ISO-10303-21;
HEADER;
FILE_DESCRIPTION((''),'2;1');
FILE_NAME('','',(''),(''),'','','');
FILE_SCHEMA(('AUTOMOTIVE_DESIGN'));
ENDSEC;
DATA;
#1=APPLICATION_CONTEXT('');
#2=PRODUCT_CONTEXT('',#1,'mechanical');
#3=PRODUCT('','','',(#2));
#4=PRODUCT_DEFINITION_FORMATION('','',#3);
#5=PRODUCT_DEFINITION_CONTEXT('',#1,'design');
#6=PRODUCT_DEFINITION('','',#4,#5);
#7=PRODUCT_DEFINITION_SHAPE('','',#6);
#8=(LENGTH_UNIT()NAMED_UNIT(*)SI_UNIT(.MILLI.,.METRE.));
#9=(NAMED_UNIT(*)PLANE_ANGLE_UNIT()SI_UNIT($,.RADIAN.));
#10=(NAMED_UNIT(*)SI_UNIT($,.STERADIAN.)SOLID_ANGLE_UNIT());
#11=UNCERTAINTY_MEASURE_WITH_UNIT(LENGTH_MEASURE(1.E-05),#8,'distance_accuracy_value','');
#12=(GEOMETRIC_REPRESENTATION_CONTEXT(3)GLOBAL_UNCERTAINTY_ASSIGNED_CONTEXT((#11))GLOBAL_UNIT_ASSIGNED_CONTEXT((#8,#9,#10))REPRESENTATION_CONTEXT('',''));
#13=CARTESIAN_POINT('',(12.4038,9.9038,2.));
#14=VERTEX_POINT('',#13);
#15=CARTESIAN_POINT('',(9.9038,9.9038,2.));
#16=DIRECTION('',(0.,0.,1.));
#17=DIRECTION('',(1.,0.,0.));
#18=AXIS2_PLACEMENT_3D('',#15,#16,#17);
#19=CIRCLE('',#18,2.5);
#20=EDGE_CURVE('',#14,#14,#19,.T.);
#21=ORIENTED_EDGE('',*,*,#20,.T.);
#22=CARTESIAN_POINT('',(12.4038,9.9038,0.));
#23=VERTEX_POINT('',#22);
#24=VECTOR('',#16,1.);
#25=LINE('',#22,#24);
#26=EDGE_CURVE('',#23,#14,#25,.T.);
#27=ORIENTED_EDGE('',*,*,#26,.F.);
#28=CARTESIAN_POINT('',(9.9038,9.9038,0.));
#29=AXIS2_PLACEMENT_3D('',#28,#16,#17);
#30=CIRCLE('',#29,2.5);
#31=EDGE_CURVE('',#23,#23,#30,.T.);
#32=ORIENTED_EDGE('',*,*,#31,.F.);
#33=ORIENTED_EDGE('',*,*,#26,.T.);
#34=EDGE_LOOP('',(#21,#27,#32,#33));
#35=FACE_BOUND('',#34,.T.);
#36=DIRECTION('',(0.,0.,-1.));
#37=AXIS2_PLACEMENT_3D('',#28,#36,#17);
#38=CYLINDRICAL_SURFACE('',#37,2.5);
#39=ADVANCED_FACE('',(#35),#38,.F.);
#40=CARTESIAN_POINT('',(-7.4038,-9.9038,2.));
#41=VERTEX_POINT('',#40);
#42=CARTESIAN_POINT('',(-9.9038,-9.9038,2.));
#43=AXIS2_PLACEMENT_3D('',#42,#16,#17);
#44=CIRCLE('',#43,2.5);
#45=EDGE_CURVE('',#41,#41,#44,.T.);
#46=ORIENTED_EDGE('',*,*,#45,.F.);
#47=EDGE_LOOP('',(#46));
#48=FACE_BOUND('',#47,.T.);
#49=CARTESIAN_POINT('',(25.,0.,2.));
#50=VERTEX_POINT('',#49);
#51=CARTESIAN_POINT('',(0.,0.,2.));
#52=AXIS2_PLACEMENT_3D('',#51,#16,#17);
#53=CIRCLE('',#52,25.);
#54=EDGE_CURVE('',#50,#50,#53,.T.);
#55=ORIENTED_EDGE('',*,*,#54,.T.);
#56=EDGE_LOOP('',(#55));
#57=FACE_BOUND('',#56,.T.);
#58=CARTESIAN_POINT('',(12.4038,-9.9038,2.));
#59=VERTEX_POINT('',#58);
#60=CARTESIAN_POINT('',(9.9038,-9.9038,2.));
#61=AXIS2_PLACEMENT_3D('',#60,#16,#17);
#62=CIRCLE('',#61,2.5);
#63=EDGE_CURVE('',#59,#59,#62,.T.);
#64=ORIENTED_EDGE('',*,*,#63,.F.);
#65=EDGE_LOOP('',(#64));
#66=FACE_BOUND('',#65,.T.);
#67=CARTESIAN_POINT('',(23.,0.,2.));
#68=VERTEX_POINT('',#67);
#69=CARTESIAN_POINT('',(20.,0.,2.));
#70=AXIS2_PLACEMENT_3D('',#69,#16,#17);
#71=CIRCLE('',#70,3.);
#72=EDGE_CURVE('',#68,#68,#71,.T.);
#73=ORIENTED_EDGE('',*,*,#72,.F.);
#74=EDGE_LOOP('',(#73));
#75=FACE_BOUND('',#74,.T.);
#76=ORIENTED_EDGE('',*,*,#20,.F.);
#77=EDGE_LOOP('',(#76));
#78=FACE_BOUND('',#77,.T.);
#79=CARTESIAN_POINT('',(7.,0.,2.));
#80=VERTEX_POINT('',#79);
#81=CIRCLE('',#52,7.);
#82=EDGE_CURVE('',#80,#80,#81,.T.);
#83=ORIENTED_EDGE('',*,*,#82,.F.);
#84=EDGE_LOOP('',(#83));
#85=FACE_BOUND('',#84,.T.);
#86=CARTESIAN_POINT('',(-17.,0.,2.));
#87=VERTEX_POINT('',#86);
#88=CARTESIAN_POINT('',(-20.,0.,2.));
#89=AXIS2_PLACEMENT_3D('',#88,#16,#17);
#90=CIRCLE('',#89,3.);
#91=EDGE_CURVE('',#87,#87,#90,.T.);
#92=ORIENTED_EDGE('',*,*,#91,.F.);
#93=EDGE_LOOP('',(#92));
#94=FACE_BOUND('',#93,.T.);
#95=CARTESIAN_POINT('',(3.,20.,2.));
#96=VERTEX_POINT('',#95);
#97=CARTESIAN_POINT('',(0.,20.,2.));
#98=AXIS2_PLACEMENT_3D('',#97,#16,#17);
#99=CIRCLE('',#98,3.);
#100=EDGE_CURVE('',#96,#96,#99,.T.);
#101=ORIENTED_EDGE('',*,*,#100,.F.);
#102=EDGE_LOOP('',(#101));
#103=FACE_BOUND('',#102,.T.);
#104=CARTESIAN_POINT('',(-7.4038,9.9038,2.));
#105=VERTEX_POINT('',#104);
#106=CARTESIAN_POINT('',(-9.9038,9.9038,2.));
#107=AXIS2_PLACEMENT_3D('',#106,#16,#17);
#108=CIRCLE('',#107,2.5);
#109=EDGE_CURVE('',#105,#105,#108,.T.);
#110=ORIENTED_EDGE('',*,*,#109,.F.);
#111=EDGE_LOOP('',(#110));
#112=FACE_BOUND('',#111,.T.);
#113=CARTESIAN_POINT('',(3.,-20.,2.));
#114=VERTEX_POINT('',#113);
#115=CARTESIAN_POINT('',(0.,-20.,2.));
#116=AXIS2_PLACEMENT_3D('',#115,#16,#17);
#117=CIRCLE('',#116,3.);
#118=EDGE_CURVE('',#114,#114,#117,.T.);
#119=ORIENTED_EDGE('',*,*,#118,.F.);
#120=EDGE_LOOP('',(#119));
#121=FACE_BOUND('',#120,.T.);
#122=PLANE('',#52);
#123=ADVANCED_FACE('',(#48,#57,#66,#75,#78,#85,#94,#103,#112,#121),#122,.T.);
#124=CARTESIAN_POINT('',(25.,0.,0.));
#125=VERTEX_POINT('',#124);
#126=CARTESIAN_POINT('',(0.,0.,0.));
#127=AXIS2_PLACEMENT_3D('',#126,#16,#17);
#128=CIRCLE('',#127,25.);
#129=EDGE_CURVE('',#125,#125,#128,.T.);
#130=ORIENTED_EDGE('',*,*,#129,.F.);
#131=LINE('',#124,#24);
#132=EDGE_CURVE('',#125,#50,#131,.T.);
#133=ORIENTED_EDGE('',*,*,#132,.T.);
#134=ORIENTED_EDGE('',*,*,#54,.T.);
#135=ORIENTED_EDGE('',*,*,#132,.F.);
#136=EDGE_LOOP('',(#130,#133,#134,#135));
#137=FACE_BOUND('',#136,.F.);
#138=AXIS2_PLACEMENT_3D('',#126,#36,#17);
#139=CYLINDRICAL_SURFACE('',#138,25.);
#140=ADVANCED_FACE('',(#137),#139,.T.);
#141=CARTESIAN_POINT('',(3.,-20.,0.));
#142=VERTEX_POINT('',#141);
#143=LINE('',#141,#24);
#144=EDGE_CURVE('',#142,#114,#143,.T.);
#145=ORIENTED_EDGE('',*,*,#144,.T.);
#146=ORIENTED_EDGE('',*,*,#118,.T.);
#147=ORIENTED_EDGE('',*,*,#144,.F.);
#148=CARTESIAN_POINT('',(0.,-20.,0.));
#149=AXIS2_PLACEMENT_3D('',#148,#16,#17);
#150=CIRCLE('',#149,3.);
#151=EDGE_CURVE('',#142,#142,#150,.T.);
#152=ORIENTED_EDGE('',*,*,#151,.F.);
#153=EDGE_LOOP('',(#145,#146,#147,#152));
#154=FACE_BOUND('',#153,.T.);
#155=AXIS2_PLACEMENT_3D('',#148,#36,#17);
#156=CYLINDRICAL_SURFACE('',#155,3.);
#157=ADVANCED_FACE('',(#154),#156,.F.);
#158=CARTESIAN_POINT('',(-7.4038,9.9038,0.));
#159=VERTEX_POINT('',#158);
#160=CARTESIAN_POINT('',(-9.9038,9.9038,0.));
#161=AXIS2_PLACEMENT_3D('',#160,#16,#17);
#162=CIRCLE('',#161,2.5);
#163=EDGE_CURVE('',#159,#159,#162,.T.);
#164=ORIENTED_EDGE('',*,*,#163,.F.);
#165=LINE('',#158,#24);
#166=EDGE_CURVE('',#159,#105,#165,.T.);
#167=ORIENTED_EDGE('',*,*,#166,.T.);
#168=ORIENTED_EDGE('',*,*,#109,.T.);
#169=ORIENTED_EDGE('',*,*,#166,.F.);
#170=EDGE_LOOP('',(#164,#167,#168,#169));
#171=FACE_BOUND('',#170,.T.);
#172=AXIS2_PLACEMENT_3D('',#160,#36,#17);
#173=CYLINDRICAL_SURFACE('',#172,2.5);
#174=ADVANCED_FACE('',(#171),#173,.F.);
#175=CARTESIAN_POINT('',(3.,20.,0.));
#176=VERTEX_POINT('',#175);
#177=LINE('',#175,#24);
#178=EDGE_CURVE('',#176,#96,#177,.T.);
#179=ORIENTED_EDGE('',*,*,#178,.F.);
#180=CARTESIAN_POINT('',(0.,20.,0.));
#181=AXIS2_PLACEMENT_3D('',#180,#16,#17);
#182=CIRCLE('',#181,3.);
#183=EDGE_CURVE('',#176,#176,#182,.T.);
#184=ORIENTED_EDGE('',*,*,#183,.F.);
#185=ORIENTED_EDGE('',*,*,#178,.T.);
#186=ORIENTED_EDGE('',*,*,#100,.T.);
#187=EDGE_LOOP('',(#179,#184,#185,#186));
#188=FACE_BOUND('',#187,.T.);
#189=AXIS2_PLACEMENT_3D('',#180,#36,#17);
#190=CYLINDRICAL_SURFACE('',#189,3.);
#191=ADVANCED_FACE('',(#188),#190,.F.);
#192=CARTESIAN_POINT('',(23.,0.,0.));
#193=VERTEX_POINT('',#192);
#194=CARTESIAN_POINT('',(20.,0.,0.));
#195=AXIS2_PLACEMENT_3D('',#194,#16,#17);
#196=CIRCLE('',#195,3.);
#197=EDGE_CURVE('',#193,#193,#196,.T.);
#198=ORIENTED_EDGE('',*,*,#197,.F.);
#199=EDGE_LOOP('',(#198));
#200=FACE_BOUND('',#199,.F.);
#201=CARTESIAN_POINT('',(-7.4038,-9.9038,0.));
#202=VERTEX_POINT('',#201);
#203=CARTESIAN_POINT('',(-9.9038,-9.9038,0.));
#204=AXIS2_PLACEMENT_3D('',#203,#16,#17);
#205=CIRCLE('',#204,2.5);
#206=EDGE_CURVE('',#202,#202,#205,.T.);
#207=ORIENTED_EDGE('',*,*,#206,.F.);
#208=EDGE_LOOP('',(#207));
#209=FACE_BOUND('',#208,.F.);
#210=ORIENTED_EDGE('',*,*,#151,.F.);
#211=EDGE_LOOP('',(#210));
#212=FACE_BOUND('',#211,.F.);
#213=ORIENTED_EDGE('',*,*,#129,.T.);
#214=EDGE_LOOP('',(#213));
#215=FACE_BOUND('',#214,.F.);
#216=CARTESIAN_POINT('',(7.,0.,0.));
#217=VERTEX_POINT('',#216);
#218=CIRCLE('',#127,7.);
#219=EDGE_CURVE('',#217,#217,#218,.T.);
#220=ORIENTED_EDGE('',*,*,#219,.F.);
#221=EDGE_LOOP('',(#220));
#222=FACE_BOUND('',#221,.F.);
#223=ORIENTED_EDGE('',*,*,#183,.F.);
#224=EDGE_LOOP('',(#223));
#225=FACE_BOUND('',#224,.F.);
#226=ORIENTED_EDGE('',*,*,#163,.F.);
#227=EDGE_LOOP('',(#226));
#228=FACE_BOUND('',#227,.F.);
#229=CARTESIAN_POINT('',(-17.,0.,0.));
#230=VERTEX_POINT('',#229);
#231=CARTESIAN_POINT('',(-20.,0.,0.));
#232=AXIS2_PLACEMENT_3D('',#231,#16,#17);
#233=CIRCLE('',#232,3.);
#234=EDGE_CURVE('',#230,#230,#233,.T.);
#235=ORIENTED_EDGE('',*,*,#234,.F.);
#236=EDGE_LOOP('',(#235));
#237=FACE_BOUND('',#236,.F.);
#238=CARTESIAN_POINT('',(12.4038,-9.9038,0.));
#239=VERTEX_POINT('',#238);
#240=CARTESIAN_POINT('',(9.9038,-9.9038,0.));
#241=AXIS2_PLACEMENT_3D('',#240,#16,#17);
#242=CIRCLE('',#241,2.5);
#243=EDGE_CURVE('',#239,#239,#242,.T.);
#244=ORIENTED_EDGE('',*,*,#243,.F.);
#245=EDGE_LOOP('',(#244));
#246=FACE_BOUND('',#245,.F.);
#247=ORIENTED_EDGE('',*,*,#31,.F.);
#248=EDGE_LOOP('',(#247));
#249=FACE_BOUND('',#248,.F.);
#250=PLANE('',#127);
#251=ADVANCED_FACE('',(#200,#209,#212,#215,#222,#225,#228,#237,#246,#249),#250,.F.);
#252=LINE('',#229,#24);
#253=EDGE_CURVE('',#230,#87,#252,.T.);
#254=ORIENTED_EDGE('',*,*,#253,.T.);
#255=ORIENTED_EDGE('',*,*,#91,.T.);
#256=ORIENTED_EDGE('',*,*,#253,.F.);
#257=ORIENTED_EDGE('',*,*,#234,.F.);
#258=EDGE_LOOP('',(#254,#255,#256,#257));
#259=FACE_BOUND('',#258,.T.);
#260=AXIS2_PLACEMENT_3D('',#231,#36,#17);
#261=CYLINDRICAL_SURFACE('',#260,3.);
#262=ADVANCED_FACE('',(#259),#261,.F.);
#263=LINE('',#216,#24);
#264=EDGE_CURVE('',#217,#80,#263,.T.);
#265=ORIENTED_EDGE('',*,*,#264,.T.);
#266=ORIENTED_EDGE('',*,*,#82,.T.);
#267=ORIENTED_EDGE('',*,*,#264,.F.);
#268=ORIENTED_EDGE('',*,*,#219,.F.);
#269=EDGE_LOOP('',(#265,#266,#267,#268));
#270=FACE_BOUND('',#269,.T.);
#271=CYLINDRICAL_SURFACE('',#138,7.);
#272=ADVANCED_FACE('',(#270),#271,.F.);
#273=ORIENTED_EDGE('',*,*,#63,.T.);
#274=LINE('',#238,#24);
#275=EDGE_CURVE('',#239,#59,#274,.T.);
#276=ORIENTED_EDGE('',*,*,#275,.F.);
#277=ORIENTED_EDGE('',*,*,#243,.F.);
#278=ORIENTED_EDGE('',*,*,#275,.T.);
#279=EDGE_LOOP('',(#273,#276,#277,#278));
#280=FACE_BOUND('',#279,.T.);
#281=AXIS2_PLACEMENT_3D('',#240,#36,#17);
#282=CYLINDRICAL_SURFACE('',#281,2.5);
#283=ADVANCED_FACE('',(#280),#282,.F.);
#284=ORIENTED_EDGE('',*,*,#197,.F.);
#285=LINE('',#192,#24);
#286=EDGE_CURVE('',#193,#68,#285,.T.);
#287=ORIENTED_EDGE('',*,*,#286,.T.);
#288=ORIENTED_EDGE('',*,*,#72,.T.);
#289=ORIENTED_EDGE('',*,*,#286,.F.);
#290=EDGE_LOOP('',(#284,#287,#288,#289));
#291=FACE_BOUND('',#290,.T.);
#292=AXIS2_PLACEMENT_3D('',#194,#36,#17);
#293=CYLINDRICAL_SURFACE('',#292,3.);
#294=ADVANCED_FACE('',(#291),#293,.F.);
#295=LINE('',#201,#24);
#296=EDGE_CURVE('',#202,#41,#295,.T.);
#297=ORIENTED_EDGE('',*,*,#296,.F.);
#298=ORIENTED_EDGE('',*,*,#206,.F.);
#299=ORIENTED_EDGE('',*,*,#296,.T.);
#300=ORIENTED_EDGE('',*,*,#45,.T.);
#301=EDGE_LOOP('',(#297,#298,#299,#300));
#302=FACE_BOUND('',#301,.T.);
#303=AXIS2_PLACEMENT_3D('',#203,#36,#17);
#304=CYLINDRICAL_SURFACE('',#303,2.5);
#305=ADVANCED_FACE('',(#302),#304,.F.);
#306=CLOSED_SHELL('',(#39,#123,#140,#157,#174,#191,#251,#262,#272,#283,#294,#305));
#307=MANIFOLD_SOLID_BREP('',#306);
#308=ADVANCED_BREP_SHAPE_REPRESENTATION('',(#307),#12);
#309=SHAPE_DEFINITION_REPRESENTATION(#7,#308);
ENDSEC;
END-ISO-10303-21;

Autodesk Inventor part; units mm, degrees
ref_plane "YZ Plane" through (0, 0, 0) normal (1, 0, 0) x (0, 1, 0)
ref_plane "XZ Plane" through (0, 0, 0) normal (0, 1, 0) x (-1, 0, 0)
ref_plane "XY Plane" through (0, 0, 0) normal (0, 0, 1) x (1, 0, 0)
sketch "Boceto1" plane through (0, 0, 0) normal (0, 0, 1) x (1, 0, 0)
  circle A0 centre (-9.9038, -9.9038) radius 2.5
  circle A1 centre (-9.9038, 9.9038) radius 2.5
  circle A2 centre (-20, 0) radius 3
  circle A3 centre (0, 20) radius 3
  circle A4 centre (20, 0) radius 3
  circle A5 centre (0, -20) radius 3
  circle A6 centre (0, 0) radius 25
  circle A7 centre (0, 0) radius 7
  circle A8 centre (9.9038, 9.9038) radius 2.5
  circle A9 centre (9.9038, -9.9038) radius 2.5
extrude "Extrusión1" add sketch "Boceto1" along normal blind 2
properties part number "_3DPrint"
